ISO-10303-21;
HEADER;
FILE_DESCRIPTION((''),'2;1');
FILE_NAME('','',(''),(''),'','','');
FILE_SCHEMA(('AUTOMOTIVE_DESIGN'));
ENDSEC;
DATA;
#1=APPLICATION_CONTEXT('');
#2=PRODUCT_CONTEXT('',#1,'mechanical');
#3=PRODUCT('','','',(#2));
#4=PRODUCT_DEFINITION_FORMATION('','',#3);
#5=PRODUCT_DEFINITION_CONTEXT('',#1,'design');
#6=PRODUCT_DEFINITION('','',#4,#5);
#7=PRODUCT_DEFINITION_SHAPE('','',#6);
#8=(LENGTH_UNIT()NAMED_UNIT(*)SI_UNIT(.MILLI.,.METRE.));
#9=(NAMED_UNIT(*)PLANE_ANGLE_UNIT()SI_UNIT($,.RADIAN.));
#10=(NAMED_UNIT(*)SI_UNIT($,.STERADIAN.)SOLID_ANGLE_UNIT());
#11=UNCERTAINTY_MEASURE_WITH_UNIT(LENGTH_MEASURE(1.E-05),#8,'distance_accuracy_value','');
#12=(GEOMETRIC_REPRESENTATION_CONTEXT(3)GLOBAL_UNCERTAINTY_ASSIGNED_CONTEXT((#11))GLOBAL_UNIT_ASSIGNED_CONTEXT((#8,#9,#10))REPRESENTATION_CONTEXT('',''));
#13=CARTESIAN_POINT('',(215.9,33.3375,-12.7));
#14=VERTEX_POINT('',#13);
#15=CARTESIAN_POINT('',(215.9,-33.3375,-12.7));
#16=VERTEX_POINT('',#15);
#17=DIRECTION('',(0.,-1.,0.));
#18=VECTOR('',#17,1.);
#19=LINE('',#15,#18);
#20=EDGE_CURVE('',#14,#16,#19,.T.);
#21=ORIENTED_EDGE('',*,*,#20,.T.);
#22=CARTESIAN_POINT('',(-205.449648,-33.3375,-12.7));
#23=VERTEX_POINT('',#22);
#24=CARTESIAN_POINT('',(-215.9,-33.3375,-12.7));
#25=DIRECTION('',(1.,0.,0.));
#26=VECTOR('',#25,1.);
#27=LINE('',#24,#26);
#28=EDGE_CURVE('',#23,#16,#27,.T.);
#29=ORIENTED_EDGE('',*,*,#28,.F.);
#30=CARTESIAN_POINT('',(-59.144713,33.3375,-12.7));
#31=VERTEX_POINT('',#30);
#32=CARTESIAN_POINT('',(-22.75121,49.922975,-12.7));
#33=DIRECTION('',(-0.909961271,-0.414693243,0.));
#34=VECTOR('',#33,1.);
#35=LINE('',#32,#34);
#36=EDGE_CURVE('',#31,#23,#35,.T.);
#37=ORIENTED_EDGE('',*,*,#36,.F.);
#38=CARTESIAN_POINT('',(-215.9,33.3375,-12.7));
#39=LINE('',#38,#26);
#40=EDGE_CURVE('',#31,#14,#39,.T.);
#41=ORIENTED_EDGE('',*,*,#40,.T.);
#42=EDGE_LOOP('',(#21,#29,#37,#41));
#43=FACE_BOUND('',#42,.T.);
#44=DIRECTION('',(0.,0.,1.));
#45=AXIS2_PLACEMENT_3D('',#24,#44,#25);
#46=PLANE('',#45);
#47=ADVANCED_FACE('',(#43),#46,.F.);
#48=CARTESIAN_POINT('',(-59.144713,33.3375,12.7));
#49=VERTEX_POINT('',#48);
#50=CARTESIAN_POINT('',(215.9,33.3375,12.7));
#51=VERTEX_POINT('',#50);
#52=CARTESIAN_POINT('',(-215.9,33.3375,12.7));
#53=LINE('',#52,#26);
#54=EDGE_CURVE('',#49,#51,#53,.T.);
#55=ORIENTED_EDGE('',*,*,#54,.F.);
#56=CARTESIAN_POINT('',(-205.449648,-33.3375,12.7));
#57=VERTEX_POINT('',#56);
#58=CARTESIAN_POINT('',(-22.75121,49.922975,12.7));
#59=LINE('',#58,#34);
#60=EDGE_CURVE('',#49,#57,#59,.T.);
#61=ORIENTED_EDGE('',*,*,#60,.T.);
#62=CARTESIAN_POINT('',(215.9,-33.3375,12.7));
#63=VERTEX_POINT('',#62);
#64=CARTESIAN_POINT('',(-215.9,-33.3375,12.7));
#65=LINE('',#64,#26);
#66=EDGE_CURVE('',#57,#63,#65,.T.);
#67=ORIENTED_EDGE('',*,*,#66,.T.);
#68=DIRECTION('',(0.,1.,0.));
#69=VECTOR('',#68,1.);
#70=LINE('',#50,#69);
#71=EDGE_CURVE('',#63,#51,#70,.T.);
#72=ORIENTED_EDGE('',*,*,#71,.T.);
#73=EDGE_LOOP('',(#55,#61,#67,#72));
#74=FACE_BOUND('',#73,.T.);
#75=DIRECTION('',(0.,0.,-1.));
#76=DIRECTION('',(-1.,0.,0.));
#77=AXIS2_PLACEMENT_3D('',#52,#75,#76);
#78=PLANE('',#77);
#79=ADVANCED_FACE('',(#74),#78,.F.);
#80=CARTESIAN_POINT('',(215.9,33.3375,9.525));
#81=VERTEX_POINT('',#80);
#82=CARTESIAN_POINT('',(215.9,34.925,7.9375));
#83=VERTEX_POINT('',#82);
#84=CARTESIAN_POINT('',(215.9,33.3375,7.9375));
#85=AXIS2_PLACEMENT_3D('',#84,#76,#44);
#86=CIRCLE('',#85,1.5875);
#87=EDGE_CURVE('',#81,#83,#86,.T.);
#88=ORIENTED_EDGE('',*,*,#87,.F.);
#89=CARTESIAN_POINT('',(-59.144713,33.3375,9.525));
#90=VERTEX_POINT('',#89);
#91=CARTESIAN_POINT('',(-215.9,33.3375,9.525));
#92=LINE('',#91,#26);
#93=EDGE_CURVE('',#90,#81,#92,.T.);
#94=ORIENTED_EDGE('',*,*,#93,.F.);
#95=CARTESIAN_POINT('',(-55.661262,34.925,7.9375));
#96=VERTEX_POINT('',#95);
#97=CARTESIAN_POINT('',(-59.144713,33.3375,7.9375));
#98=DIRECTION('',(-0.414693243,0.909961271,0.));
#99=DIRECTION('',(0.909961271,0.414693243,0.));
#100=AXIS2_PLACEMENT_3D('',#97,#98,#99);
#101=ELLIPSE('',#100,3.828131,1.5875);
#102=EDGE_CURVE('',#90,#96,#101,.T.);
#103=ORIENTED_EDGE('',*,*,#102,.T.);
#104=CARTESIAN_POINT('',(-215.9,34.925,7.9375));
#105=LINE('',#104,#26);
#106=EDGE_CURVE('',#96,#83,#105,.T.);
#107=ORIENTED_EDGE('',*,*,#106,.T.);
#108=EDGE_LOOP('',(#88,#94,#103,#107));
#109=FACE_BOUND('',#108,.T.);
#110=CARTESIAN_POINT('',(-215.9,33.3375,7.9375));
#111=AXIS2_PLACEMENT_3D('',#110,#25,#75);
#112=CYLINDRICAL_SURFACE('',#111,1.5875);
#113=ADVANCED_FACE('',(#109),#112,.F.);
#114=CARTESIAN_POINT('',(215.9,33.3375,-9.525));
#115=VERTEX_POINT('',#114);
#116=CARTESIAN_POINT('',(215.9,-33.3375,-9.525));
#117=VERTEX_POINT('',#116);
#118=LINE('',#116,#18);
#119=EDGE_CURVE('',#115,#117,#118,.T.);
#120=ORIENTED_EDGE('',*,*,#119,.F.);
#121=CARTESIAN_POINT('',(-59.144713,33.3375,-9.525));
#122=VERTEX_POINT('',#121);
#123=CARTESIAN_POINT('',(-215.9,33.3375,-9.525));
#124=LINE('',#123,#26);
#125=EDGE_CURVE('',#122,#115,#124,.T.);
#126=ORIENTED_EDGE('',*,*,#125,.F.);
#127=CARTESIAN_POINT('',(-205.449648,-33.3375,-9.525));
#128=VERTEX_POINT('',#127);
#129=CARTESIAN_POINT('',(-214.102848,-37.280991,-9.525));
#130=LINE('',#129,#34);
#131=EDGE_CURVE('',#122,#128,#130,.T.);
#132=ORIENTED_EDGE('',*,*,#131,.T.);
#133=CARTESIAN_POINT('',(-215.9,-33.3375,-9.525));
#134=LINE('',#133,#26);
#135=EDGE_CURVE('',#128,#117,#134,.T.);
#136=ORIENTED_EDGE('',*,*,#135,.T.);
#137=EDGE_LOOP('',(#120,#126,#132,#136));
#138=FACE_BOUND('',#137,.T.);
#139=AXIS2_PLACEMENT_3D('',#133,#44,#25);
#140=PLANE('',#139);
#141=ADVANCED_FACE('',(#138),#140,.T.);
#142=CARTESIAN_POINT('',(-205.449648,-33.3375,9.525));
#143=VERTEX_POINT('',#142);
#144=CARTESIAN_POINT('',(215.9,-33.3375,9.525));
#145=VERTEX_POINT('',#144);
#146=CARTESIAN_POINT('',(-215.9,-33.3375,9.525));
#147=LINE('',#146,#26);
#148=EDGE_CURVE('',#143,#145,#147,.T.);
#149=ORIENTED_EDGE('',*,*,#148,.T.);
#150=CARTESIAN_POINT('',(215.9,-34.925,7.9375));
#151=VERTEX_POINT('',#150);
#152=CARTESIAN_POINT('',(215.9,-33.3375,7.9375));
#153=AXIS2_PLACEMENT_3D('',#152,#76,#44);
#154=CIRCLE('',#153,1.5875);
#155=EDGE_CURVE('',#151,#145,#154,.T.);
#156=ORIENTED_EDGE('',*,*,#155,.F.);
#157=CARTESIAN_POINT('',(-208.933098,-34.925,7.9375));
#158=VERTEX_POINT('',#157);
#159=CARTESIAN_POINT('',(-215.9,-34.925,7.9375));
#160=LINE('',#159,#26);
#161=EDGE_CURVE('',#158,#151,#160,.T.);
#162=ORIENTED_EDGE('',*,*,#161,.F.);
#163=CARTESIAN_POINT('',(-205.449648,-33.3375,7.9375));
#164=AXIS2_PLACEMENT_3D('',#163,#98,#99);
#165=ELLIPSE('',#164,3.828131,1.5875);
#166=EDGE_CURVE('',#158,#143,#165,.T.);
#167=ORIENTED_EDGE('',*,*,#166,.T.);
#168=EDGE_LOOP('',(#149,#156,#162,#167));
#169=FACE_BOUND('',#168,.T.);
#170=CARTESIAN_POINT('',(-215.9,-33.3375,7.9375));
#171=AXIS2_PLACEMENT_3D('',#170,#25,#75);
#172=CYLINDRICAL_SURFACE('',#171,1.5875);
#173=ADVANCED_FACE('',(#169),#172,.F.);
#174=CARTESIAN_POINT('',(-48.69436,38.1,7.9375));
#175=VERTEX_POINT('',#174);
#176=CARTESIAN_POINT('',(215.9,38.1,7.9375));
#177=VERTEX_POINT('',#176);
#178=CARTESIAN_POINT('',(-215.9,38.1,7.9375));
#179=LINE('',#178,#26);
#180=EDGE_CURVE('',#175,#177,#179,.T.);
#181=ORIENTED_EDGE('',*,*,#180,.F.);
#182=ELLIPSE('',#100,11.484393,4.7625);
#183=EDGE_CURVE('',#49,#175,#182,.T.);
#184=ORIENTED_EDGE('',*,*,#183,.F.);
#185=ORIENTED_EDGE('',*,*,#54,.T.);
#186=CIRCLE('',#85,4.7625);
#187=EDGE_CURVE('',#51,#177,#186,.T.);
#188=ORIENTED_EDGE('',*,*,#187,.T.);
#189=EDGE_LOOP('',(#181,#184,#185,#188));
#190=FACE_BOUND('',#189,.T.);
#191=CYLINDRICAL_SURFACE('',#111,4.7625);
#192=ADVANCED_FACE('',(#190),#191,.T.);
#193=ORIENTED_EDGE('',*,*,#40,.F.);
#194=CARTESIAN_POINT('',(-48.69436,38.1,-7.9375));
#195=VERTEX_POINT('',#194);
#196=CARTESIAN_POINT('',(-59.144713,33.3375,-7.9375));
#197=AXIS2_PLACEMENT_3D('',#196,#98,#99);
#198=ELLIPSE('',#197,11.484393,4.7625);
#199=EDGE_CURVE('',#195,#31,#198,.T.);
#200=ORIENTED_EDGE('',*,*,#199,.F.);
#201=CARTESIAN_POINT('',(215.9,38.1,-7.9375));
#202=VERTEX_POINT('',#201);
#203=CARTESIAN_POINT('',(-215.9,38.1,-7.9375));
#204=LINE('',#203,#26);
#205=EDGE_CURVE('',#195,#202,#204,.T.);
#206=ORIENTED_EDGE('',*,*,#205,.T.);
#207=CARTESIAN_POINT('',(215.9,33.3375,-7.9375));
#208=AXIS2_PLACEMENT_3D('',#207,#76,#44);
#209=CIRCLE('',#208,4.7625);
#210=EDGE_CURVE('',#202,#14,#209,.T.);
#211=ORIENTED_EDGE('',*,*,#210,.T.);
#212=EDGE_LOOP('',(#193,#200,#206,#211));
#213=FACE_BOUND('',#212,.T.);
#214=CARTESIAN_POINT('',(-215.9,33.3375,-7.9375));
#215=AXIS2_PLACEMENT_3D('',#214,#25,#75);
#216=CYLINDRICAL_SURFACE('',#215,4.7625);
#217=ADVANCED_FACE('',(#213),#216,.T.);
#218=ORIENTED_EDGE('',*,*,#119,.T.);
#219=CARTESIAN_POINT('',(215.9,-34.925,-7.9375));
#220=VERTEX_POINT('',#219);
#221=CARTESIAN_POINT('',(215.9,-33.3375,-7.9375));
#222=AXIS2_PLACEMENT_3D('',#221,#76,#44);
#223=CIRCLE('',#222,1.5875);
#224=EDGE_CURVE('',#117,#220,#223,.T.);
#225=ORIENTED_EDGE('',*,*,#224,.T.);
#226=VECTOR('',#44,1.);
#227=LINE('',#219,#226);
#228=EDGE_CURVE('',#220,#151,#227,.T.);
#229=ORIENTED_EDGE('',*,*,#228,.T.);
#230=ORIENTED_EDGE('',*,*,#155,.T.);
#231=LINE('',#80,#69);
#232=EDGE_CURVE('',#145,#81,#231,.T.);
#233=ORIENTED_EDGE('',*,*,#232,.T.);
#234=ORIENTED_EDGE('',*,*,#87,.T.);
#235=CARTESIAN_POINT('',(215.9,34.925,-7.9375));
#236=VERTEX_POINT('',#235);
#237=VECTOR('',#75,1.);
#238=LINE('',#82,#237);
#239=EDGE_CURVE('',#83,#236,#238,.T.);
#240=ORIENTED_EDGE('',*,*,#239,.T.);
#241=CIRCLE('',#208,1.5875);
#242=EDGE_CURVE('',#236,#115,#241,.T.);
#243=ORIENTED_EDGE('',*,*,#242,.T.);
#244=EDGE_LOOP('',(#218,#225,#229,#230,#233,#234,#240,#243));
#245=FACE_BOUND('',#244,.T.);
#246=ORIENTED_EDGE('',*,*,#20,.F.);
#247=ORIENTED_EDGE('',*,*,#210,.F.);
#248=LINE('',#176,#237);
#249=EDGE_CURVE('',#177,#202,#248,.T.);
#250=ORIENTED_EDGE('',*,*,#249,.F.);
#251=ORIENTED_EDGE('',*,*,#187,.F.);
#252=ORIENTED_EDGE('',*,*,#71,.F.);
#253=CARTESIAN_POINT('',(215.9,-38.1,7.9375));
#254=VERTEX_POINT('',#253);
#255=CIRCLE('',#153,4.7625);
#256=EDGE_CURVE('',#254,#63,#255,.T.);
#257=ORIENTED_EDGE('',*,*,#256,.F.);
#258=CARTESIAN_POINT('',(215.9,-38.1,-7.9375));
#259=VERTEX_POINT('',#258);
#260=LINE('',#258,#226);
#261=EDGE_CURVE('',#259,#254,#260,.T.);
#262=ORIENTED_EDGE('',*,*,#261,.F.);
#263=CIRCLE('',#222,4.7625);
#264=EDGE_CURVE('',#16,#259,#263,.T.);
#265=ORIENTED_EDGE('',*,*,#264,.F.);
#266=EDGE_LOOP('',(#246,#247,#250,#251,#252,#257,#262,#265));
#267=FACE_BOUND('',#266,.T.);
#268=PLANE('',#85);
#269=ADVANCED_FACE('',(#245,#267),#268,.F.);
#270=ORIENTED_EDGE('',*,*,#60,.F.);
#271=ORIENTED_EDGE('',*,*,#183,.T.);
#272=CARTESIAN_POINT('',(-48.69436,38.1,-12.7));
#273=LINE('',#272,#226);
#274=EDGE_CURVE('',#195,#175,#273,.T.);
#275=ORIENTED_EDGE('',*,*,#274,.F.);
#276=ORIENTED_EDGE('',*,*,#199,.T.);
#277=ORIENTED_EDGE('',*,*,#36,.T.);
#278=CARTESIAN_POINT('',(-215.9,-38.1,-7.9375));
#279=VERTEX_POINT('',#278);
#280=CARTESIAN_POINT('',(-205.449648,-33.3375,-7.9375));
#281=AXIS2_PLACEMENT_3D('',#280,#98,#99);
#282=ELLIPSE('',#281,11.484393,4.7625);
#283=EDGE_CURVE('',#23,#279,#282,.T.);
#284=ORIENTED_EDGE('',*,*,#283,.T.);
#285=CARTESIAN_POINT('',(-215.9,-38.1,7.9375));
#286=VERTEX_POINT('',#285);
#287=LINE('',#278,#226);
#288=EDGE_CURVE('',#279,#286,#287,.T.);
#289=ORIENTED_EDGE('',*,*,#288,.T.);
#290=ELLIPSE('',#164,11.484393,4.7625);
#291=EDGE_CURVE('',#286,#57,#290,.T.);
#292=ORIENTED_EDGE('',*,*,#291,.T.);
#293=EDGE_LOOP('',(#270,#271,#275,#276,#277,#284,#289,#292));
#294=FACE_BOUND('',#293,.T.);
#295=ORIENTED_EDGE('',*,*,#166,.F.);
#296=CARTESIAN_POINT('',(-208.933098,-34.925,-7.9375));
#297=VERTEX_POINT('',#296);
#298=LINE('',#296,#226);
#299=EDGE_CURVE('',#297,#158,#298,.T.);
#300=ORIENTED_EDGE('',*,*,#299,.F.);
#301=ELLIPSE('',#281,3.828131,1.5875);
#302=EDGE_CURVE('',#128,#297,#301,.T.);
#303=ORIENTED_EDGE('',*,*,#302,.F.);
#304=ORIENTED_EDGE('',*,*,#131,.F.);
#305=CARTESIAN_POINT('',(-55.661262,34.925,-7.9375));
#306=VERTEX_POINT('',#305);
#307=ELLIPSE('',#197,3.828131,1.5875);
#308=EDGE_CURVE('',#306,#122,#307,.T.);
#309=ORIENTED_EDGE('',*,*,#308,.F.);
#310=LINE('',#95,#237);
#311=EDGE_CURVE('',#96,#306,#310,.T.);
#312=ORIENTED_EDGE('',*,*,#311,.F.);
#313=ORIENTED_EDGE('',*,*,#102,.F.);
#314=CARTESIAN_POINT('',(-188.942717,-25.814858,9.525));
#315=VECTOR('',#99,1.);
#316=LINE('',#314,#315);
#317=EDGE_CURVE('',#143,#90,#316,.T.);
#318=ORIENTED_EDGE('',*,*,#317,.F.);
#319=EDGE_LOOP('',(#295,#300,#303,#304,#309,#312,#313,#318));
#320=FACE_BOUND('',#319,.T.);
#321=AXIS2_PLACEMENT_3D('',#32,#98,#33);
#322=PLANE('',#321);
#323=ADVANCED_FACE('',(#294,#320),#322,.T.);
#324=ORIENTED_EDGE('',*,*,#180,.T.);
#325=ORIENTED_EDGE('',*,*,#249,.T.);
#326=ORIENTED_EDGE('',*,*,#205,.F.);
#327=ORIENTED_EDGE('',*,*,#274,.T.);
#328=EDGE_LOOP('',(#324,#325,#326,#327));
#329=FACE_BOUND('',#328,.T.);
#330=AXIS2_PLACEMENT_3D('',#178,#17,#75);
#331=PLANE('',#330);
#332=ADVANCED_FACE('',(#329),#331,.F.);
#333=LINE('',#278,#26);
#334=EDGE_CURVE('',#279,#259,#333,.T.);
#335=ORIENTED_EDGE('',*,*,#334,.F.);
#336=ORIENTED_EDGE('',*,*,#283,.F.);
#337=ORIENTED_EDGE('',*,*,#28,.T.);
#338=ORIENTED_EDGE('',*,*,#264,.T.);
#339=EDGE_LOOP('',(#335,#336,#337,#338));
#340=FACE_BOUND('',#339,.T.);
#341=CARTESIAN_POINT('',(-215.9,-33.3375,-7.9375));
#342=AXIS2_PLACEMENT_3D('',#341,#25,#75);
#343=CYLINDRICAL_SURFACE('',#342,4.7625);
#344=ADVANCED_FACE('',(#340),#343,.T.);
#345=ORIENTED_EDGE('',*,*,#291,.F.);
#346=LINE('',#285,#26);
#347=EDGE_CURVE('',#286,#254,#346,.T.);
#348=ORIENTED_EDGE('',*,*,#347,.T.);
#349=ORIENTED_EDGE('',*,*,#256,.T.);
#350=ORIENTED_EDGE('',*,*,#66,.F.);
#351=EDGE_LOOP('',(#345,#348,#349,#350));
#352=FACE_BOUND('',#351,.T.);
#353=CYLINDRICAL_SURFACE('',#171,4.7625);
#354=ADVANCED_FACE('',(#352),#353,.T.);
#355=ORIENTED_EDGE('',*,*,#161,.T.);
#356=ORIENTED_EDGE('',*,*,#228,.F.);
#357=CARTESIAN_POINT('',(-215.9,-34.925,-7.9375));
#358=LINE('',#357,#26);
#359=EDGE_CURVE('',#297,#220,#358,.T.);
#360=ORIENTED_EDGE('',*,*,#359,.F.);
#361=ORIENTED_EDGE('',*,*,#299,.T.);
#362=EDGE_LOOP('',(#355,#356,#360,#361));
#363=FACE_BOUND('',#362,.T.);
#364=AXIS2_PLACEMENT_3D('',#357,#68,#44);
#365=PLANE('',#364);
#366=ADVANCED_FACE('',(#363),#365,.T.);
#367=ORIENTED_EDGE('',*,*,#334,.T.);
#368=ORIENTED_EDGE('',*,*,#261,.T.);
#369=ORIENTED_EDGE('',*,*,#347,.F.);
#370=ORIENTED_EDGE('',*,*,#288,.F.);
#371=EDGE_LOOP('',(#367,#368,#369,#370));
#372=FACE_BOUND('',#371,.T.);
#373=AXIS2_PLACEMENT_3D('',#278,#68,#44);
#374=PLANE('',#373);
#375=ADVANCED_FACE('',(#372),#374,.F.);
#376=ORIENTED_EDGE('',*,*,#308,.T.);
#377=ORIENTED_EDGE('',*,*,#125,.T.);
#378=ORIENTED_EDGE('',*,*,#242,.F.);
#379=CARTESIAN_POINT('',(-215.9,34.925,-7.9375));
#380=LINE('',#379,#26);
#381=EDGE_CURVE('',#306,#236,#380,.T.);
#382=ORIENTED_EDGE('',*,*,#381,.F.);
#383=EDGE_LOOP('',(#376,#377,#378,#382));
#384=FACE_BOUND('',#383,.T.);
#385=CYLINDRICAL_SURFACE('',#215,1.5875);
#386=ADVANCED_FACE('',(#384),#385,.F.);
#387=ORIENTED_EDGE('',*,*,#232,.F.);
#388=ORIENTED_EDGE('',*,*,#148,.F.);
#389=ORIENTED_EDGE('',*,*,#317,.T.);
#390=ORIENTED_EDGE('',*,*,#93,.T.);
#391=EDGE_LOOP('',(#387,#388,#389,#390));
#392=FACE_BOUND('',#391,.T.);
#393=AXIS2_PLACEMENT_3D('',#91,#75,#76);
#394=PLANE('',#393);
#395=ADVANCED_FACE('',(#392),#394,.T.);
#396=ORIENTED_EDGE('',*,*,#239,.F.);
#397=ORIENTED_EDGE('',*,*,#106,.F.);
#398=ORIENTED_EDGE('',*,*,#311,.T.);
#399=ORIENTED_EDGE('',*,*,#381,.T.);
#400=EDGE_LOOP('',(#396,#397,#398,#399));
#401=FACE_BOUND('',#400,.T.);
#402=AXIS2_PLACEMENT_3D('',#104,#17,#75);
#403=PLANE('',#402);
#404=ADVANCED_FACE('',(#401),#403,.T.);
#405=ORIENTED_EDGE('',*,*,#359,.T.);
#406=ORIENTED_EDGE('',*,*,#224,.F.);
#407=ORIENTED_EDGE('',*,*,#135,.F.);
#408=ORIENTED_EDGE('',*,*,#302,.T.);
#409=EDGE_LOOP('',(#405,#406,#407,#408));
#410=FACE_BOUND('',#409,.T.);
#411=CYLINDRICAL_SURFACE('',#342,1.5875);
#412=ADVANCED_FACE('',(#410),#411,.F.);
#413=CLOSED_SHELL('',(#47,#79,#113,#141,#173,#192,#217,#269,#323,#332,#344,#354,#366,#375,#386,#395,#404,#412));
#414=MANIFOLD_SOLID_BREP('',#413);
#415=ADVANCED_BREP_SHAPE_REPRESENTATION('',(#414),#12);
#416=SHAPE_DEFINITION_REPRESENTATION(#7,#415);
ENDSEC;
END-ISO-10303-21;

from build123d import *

# Parameters (mm, degrees)
RECTANGULAR_TUBE_3_X_2_X_0_25_1_DEPTH = 431.8
CUT_EXTRUDE1_DEPTH                    = 221.702469402


with BuildPart() as part:
    # Sketch13 → Rectangular tube 3 X 2 X 0.25(1) (new body)
    with BuildSketch(Plane.ZY.offset(-215.9)):
        with BuildLine():
            Line((-7.9375, -38.1), (7.9375, -38.1))
            ThreePointArc((7.9375, -38.1), (11.305096045, -36.705096045), (12.7, -33.3375))
            Line((12.7, -33.3375), (12.7, 33.3375))
            ThreePointArc((12.7, 33.3375), (11.305096045, 36.705096045), (7.9375, 38.1))
            Line((7.9375, 38.1), (-7.9375, 38.1))
            ThreePointArc((-7.9375, 38.1), (-11.305096045, 36.705096045), (-12.7, 33.3375))
            Line((-12.7, 33.3375), (-12.7, -33.3375))
            ThreePointArc((-12.7, -33.3375), (-11.305096045, -36.705096045), (-7.9375, -38.1))
        make_face()
        with BuildLine():
            Line((-7.9375, -34.925), (7.9375, -34.925))
            ThreePointArc((7.9375, -34.925), (9.060032015, -34.460032015), (9.525, -33.3375))
            Line((9.525, -33.3375), (9.525, 33.3375))
            ThreePointArc((9.525, 33.3375), (9.060032015, 34.460032015), (7.9375, 34.925))
            Line((7.9375, 34.925), (-7.9375, 34.925))
            ThreePointArc((-7.9375, 34.925), (-9.060032015, 34.460032015), (-9.525, 33.3375))
            Line((-9.525, 33.3375), (-9.525, -33.3375))
            ThreePointArc((-9.525, -33.3375), (-9.060032015, -34.460032015), (-7.9375, -34.925))
        make_face(mode=Mode.SUBTRACT)
    extrude(amount=RECTANGULAR_TUBE_3_X_2_X_0_25_1_DEPTH)

    # s → Cut-Extrude1 (cut, through all)
    with BuildSketch(Plane.XY.offset(12.7)):
        Polygon((-215.9, -38.1), (-215.9, 38.1), (-48.694360485, 38.1), align=None)
    extrude(amount=-CUT_EXTRUDE1_DEPTH, mode=Mode.SUBTRACT)


solid = part.part
